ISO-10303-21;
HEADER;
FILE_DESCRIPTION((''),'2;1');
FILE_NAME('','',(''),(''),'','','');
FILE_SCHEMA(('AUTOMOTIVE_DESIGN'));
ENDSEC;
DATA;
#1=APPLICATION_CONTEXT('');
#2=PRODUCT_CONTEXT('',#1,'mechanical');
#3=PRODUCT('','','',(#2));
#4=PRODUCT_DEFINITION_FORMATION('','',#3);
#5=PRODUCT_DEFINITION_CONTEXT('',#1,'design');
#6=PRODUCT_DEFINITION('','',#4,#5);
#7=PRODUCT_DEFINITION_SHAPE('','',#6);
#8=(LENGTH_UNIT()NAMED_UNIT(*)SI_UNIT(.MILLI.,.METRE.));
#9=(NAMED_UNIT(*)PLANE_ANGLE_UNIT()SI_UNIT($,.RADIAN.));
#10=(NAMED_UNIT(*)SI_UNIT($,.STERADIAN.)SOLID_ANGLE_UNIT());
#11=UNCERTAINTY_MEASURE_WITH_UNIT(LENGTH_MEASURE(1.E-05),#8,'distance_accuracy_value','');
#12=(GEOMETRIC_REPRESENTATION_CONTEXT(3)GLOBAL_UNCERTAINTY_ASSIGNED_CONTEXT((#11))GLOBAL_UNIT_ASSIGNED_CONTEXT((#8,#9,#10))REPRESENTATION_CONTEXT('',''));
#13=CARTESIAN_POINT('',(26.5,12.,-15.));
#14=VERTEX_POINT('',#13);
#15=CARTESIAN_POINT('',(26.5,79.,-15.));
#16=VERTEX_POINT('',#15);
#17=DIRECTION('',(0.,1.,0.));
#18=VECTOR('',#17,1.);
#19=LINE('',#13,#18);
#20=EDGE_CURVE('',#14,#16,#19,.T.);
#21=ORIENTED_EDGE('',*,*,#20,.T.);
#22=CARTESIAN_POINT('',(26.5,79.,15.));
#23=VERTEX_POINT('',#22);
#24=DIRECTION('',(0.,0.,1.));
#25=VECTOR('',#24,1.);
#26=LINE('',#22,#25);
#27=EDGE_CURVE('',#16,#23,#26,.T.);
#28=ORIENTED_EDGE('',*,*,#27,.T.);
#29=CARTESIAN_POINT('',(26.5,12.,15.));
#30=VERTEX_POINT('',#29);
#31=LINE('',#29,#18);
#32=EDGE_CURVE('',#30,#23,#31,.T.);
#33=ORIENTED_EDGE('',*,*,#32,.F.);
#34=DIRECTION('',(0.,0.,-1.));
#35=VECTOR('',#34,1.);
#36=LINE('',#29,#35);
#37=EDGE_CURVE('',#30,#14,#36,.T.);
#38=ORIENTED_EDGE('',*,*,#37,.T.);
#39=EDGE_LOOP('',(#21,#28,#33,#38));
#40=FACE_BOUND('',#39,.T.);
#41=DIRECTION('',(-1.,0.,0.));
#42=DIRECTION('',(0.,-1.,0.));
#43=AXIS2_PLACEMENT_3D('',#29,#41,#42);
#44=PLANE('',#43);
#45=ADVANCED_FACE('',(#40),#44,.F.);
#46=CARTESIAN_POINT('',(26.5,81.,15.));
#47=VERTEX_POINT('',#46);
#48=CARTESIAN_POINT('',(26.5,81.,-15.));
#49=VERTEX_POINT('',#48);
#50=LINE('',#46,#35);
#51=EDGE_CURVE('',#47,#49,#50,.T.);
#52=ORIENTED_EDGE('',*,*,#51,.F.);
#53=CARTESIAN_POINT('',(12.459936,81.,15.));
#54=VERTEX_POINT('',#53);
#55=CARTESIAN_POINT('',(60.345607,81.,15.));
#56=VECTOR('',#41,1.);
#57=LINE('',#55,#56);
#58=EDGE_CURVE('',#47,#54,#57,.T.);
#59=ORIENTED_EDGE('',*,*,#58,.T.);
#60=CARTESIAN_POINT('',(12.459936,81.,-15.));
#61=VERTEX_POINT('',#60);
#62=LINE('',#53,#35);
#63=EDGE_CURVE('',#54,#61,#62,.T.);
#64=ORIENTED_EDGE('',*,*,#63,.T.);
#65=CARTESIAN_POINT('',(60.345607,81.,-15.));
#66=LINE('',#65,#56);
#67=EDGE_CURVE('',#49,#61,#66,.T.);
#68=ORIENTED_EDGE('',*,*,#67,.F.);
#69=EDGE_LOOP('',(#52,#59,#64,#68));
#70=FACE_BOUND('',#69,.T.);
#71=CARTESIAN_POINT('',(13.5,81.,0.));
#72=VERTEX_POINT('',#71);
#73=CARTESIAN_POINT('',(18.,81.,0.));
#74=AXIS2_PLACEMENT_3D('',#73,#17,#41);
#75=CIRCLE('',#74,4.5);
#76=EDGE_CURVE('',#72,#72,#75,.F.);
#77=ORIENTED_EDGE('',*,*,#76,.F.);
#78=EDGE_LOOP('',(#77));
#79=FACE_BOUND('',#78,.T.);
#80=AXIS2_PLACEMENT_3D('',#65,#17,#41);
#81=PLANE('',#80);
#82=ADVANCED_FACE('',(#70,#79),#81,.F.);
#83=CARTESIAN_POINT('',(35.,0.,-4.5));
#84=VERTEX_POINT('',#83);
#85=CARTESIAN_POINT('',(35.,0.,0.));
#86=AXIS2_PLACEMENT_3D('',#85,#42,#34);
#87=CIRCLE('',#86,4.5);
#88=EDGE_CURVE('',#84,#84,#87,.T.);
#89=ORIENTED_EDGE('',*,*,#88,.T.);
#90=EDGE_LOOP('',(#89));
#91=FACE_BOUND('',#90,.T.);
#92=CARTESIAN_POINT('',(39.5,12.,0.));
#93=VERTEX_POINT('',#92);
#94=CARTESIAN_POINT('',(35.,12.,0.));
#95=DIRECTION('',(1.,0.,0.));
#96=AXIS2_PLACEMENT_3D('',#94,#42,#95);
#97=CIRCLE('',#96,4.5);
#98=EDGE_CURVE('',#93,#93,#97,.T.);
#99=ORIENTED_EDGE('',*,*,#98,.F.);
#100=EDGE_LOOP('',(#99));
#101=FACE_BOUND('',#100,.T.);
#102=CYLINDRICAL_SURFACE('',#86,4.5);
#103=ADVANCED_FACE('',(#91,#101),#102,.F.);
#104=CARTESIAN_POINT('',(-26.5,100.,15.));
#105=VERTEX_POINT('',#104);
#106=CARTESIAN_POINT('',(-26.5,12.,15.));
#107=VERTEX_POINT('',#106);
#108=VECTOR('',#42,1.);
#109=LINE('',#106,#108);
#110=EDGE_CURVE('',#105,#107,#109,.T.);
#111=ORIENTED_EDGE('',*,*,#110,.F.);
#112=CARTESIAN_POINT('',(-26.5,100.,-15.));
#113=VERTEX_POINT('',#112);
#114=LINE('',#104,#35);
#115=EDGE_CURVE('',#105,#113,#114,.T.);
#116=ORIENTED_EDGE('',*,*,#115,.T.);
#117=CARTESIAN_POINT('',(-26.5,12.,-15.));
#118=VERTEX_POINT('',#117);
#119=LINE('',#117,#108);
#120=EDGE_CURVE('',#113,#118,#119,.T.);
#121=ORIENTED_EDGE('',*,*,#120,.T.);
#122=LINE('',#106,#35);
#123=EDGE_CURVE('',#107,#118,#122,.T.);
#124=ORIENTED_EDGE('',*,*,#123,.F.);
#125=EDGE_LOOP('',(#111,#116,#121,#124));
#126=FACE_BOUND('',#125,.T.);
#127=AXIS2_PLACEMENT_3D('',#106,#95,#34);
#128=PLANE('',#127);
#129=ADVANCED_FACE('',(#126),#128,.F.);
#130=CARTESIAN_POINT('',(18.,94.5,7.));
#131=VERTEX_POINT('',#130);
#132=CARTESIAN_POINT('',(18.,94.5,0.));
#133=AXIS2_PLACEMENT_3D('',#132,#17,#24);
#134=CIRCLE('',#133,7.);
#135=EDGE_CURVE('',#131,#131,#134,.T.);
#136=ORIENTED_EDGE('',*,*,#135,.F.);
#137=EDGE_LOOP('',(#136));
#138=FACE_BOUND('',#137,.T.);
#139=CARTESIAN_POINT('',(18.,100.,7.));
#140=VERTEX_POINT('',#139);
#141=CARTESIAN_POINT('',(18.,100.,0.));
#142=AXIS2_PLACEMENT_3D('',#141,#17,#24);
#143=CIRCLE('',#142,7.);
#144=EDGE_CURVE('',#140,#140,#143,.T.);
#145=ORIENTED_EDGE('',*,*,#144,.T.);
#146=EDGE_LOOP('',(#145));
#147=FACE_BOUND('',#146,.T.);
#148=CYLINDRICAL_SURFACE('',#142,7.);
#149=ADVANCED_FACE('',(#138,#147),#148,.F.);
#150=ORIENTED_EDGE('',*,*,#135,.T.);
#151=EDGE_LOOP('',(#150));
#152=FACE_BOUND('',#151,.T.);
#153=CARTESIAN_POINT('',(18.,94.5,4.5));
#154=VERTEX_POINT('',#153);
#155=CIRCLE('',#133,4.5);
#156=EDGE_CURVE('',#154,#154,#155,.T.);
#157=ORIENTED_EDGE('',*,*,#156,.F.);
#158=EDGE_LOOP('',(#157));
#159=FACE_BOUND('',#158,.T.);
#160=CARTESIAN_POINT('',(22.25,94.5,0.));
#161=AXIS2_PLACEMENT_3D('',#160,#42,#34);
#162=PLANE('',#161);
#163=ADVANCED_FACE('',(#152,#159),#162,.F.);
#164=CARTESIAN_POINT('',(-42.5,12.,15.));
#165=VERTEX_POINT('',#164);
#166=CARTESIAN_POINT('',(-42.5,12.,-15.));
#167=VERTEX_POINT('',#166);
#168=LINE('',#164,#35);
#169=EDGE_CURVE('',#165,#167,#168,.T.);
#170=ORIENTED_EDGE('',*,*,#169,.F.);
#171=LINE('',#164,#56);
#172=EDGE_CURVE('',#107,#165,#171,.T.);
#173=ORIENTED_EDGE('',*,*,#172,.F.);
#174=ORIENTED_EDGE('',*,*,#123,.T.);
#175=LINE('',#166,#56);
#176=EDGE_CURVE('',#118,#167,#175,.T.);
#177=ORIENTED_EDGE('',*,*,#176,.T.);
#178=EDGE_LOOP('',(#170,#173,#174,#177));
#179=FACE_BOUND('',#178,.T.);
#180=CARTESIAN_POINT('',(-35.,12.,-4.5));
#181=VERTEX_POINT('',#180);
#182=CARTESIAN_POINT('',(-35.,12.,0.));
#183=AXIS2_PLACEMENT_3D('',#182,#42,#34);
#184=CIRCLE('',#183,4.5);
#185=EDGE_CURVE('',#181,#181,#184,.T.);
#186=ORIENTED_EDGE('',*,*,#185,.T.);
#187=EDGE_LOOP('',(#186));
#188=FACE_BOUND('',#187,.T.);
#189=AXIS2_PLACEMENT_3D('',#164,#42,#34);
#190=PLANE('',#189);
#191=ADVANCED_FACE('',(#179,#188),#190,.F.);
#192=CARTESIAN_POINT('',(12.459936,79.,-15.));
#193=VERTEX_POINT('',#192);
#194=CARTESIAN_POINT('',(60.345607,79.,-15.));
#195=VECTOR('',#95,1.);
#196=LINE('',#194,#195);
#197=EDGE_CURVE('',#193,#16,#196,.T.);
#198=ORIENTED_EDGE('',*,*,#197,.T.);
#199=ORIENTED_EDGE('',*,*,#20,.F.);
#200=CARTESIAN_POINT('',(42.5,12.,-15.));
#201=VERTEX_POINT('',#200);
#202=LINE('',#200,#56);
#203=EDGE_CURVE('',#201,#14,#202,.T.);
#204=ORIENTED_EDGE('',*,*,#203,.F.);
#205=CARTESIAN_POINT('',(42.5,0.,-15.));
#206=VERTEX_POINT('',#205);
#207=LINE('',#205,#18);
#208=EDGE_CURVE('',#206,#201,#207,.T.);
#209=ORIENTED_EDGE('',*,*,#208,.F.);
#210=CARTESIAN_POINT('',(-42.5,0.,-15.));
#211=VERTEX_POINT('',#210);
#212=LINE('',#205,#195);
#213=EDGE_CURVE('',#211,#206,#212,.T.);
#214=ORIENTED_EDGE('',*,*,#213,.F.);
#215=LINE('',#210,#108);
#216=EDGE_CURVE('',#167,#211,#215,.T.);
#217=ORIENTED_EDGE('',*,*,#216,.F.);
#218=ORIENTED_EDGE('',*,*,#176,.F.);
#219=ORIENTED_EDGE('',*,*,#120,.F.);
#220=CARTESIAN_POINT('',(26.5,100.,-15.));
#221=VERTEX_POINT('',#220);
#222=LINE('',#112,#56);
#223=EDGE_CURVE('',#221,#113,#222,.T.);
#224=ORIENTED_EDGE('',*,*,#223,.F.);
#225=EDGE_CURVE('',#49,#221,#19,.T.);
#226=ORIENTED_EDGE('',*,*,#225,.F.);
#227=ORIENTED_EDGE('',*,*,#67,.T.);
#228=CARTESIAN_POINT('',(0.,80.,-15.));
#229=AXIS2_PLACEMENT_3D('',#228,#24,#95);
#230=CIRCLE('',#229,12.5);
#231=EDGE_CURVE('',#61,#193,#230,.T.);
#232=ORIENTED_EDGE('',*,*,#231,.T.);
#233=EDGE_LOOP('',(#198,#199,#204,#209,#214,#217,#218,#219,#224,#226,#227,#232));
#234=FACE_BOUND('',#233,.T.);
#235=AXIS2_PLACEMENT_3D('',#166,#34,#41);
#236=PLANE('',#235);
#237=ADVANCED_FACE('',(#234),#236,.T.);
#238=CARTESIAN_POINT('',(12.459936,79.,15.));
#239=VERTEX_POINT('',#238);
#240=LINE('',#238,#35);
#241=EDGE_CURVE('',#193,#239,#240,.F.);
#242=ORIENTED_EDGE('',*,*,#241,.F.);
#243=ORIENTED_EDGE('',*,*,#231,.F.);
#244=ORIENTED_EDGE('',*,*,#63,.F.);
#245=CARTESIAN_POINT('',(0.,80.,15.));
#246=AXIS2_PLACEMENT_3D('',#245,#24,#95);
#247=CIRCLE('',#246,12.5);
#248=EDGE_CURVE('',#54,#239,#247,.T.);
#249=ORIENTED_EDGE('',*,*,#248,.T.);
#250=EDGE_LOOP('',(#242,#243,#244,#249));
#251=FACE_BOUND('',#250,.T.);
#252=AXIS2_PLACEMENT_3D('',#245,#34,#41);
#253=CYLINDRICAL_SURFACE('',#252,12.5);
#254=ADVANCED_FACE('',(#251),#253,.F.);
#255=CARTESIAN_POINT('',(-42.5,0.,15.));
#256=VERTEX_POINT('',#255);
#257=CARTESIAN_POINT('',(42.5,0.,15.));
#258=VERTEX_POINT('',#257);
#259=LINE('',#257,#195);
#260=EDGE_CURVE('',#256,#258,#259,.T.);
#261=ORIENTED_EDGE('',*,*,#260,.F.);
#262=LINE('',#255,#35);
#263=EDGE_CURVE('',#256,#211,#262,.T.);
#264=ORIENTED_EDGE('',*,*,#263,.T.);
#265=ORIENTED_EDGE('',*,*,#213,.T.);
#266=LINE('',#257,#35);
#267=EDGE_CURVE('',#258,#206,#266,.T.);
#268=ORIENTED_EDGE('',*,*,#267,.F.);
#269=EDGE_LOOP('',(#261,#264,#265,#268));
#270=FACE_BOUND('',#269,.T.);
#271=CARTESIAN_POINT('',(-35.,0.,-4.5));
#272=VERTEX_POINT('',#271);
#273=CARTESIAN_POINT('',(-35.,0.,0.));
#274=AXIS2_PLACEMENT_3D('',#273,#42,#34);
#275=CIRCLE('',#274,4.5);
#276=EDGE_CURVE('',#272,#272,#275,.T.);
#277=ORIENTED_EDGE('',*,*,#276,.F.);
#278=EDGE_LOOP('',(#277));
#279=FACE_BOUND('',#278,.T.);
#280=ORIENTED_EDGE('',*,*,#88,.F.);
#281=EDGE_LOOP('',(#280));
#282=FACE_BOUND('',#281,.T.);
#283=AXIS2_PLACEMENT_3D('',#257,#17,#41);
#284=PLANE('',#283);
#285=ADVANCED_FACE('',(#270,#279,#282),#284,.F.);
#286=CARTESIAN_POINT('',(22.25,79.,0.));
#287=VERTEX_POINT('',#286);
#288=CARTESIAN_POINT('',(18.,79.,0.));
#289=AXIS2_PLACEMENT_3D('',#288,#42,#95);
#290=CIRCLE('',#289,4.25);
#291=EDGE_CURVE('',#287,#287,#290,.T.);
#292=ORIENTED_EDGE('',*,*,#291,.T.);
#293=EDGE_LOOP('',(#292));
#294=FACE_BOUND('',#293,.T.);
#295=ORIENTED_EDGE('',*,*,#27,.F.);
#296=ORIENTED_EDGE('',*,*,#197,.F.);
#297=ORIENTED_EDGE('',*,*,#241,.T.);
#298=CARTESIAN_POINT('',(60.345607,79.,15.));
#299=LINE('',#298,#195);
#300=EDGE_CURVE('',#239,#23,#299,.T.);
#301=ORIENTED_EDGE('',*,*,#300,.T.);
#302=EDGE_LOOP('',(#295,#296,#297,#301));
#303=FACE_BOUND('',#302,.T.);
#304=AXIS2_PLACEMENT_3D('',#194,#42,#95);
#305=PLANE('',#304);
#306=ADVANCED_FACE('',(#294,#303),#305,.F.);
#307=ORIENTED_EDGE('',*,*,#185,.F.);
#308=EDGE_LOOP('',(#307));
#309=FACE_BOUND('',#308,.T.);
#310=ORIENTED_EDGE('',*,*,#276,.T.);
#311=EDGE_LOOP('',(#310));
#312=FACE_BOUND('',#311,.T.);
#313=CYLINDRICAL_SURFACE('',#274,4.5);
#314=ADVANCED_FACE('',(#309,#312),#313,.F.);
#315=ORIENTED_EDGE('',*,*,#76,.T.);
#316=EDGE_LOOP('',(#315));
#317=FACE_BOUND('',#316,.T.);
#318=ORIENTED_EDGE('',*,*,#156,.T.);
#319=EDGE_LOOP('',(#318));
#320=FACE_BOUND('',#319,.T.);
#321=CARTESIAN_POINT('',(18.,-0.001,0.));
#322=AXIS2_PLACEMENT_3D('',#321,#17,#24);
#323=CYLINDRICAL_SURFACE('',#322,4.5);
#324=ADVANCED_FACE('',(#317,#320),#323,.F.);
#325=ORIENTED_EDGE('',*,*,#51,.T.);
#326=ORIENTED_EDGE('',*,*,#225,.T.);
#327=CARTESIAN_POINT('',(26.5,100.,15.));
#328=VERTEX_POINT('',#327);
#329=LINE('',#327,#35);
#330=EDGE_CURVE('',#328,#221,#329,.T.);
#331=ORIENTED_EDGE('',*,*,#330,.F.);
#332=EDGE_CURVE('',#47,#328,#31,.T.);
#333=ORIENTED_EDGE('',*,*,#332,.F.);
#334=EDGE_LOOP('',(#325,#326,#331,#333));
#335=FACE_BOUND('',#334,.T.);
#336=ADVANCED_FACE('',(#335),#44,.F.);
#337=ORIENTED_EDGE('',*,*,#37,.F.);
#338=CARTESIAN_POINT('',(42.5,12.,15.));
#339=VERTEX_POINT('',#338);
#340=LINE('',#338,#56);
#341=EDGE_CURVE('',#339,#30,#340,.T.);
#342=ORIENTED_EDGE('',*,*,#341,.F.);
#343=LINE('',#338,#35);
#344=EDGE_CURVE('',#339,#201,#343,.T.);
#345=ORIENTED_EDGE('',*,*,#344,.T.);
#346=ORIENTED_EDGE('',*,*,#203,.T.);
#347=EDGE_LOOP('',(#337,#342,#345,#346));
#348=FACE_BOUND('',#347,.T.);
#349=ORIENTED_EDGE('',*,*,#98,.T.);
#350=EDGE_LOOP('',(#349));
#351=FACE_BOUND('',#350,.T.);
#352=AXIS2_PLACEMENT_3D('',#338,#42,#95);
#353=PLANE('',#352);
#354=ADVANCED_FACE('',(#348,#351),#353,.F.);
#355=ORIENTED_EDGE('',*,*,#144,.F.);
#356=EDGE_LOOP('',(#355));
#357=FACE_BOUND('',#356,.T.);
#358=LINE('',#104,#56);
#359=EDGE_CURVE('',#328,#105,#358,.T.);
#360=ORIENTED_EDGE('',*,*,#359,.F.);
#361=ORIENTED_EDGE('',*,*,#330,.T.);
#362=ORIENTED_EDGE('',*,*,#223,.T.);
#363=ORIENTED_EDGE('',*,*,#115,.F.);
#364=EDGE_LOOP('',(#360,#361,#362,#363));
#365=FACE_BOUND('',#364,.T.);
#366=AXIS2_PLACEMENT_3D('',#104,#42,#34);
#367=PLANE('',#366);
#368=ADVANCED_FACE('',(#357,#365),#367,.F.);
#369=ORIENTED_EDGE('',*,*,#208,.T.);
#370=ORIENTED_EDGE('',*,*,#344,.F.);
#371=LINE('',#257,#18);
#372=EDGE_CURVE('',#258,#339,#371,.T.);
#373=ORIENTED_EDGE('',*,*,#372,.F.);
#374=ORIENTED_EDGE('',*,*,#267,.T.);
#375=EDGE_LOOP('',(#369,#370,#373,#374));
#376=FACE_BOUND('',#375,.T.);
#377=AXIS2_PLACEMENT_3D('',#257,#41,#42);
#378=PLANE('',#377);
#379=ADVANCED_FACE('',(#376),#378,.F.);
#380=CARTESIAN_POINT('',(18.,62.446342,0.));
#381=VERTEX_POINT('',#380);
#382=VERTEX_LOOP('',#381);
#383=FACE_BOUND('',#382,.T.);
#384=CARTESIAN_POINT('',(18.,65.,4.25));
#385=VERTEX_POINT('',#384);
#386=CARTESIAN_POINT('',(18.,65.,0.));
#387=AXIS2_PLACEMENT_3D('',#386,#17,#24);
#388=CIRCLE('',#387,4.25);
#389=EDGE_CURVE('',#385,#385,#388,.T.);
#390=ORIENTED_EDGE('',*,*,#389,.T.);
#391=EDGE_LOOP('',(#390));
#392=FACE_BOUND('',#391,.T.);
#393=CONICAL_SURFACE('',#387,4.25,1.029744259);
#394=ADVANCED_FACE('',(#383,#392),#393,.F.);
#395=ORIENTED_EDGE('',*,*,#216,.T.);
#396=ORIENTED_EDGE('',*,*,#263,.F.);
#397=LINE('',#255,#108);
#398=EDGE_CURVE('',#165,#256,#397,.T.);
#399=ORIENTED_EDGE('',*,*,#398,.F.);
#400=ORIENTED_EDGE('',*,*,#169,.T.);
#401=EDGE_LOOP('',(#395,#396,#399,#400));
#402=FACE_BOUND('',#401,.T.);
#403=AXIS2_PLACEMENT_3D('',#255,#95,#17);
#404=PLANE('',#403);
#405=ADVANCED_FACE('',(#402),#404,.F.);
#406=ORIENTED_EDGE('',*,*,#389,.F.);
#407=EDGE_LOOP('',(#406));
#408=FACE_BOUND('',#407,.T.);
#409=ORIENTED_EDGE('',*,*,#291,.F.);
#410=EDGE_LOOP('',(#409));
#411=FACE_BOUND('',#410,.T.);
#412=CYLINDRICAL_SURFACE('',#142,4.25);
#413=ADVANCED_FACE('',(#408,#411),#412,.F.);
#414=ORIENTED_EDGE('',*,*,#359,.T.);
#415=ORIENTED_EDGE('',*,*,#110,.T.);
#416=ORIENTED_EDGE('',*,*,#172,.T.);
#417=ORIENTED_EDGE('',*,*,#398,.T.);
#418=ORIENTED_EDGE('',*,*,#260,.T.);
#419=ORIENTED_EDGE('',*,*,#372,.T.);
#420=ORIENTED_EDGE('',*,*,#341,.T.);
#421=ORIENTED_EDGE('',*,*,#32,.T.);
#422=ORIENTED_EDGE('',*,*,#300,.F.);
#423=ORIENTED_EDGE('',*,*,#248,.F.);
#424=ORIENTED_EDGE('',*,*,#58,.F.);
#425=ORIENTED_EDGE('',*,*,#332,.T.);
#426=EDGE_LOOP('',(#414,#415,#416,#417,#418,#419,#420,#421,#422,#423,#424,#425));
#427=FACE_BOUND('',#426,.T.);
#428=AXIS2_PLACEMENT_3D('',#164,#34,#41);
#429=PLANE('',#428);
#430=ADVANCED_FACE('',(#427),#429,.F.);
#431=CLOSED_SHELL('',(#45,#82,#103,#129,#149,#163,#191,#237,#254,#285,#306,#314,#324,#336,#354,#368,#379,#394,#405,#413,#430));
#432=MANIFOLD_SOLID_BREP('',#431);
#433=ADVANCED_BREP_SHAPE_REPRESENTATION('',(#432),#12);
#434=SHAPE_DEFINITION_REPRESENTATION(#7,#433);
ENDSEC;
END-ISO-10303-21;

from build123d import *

# Parameters (mm, degrees)
SKETCH_1_R                   = 12.5
EXTRUDE_1_DEPTH              = 15
HOLE_WIZARD_1_D              = 9
HOLE_WIZARD_1_DEPTH          = 100
SKETCH_4_W                   = 53.346686235
SKETCH_4_H                   = 2
CUT_EXTRUDE_1_DEPTH          = 113.722003176
HOLE_WIZARD_M8_1_D           = 8.5
HOLE_WIZARD_M8_1_DEPTH       = 35
HOLE_WIZARD_M8_1_CBORE_D     = 14
HOLE_WIZARD_M8_1_CBORE_DEPTH = 5.5
HOLE_WIZARD_M8_1_TIP         = 2.553657631
CUT_EXTRUDE_2_REACH          = 106.697
SKETCH_8_R                   = 4.5


with BuildPart() as part:
    # 草图1 → 凸台-拉伸1 (new, symmetric)
    with BuildSketch(Plane.XY):
        Polygon((42.5, 0), (-42.5, 0), (-42.5, 12), (-26.5, 12), (-26.5, 100), (26.5, 100), (26.5, 12), (42.5, 12), align=None)
        with Locations((0, 80)):
            Circle(SKETCH_1_R, mode=Mode.SUBTRACT)
    extrude(amount=EXTRUDE_1_DEPTH, both=True)

    # 孔1
    with Locations(Plane.XZ):
        with Locations((-35, 0), (35, 0)):
            Hole(HOLE_WIZARD_1_D / 2, depth=HOLE_WIZARD_1_DEPTH)

    # 草图4 → 切除-拉伸1 (cut, through all)
    with BuildSketch(Plane.XY.offset(15)):
        with Locations((33.672264203, 80)):
            Rectangle(SKETCH_4_W, SKETCH_4_H)
    extrude(amount=-CUT_EXTRUDE_1_DEPTH, mode=Mode.SUBTRACT)

    # M8 六角头螺钉的柱形沉头孔1
    with Locations(Plane(origin=(-72.699544071, 100, 2.28188546), x_dir=(0, 0, -1), z_dir=(0, 1, 0))):
        with Locations((2.28188546, -90.699544071)):
            CounterBoreHole(HOLE_WIZARD_M8_1_D / 2, HOLE_WIZARD_M8_1_CBORE_D / 2, HOLE_WIZARD_M8_1_CBORE_DEPTH, depth=HOLE_WIZARD_M8_1_DEPTH)
            with Locations((0, 0, -(HOLE_WIZARD_M8_1_DEPTH + HOLE_WIZARD_M8_1_TIP / 2))):  # 118° drill point
                Cone(0, HOLE_WIZARD_M8_1_D / 2, HOLE_WIZARD_M8_1_TIP, mode=Mode.SUBTRACT)

    # 草图8 → 切除-拉伸2 (cut, up to next)
    with BuildSketch(Plane(origin=(0, 94.5, 0), x_dir=(1, 0, 0), z_dir=(0, 1, 0)), mode=Mode.PRIVATE) as cut_extrude_2_sk1:
        with Locations(Location((18, 0, 0), (0, 0, 270))):
            Circle(SKETCH_8_R)
    cut_extrude_2_tool1 = extrude(cut_extrude_2_sk1.sketch, amount=-CUT_EXTRUDE_2_REACH, mode=Mode.PRIVATE) & part.part
    add(cut_extrude_2_tool1.solids().sort_by_distance((18, 94.5, 0))[0], mode=Mode.SUBTRACT)


solid = part.part
